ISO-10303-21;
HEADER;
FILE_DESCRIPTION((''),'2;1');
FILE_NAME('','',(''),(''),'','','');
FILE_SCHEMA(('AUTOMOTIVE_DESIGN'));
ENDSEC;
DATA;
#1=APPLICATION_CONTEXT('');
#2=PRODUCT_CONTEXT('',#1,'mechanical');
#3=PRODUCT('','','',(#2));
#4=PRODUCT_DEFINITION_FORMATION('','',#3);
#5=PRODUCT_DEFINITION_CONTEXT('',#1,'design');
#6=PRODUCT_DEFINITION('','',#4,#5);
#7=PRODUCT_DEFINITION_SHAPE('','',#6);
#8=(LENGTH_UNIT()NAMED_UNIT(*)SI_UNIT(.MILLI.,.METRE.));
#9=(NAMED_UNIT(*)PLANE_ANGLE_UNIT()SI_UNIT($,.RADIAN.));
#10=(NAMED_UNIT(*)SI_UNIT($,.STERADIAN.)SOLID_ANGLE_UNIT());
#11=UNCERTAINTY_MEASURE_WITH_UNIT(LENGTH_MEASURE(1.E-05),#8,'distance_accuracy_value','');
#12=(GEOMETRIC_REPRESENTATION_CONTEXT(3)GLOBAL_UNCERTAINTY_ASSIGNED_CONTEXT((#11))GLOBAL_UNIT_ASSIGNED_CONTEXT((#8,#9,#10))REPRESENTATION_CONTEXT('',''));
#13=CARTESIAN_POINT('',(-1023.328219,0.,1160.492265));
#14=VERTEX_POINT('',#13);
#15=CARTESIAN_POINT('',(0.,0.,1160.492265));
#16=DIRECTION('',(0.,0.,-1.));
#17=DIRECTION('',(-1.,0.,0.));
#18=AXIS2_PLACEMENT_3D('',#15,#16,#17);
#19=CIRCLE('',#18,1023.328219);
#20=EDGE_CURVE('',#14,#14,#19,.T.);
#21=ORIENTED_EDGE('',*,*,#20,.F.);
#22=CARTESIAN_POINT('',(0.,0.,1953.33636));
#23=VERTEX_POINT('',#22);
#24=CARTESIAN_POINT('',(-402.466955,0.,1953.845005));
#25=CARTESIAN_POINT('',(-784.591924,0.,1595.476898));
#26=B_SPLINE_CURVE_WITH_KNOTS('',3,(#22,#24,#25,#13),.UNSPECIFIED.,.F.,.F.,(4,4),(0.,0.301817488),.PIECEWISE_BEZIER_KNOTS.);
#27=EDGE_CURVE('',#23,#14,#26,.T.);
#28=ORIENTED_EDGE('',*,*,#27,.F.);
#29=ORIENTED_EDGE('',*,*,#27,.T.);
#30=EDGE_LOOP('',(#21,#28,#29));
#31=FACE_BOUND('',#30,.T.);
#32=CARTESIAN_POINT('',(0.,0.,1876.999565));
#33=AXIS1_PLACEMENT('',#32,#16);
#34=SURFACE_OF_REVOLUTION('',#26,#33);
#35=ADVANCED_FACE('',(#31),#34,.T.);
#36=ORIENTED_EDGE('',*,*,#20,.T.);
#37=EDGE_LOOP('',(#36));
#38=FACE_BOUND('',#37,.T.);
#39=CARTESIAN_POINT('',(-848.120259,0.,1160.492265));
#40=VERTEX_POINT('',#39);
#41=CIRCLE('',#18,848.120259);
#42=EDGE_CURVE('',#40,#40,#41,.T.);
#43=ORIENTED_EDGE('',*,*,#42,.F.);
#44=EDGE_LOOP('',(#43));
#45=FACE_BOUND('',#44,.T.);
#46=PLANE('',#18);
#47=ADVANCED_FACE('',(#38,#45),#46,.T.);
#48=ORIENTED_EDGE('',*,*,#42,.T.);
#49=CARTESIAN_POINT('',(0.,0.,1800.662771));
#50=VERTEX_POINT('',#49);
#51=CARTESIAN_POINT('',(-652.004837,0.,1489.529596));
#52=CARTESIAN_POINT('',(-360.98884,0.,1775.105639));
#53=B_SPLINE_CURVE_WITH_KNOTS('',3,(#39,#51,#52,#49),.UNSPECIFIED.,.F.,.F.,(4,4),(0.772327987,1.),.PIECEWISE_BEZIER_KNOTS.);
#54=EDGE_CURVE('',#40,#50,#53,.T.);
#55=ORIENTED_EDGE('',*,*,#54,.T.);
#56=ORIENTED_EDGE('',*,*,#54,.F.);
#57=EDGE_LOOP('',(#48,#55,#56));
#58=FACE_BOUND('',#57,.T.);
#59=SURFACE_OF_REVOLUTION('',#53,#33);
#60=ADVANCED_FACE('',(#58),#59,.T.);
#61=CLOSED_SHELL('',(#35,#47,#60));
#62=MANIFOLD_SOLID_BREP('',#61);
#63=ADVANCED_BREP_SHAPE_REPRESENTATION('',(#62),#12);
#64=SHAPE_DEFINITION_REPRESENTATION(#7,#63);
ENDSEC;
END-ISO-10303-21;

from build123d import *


with BuildPart() as f1:
    # F0 (on Front) → F1 (revolve)
    with BuildSketch(Plane.XZ):
        with BuildLine():
            add(Edge.make_bspline(
                [(0, 1953.3363603202), (-402.4669546989, 1953.8450046064), (-784.5919242944, 1595.4768982699), (-1023.328218776, 1160.4922653193)],
                knots=[0, 0, 0, 0, 0.3018174881, 0.3018174881, 0.3018174881, 0.3018174881], degree=3))
            Line((-1023.328218776, 1160.4922653193), (-848.1202588462, 1160.4922653193))
            add(Edge.make_bspline(
                [(-848.1202588462, 1160.4922653193), (-652.0048370274, 1489.5295962092), (-360.9888404674, 1775.105638859), (0, 1800.6627706009)],
                knots=[0.7723279874, 0.7723279874, 0.7723279874, 0.7723279874, 1, 1, 1, 1], degree=3))
            Line((0, 1800.6627706009), (0, 1953.3363603202))
        make_face()
    revolve(axis=Axis((0, 0, 1876.9995654606), (0, 0, -1)))


solid = f1.part
